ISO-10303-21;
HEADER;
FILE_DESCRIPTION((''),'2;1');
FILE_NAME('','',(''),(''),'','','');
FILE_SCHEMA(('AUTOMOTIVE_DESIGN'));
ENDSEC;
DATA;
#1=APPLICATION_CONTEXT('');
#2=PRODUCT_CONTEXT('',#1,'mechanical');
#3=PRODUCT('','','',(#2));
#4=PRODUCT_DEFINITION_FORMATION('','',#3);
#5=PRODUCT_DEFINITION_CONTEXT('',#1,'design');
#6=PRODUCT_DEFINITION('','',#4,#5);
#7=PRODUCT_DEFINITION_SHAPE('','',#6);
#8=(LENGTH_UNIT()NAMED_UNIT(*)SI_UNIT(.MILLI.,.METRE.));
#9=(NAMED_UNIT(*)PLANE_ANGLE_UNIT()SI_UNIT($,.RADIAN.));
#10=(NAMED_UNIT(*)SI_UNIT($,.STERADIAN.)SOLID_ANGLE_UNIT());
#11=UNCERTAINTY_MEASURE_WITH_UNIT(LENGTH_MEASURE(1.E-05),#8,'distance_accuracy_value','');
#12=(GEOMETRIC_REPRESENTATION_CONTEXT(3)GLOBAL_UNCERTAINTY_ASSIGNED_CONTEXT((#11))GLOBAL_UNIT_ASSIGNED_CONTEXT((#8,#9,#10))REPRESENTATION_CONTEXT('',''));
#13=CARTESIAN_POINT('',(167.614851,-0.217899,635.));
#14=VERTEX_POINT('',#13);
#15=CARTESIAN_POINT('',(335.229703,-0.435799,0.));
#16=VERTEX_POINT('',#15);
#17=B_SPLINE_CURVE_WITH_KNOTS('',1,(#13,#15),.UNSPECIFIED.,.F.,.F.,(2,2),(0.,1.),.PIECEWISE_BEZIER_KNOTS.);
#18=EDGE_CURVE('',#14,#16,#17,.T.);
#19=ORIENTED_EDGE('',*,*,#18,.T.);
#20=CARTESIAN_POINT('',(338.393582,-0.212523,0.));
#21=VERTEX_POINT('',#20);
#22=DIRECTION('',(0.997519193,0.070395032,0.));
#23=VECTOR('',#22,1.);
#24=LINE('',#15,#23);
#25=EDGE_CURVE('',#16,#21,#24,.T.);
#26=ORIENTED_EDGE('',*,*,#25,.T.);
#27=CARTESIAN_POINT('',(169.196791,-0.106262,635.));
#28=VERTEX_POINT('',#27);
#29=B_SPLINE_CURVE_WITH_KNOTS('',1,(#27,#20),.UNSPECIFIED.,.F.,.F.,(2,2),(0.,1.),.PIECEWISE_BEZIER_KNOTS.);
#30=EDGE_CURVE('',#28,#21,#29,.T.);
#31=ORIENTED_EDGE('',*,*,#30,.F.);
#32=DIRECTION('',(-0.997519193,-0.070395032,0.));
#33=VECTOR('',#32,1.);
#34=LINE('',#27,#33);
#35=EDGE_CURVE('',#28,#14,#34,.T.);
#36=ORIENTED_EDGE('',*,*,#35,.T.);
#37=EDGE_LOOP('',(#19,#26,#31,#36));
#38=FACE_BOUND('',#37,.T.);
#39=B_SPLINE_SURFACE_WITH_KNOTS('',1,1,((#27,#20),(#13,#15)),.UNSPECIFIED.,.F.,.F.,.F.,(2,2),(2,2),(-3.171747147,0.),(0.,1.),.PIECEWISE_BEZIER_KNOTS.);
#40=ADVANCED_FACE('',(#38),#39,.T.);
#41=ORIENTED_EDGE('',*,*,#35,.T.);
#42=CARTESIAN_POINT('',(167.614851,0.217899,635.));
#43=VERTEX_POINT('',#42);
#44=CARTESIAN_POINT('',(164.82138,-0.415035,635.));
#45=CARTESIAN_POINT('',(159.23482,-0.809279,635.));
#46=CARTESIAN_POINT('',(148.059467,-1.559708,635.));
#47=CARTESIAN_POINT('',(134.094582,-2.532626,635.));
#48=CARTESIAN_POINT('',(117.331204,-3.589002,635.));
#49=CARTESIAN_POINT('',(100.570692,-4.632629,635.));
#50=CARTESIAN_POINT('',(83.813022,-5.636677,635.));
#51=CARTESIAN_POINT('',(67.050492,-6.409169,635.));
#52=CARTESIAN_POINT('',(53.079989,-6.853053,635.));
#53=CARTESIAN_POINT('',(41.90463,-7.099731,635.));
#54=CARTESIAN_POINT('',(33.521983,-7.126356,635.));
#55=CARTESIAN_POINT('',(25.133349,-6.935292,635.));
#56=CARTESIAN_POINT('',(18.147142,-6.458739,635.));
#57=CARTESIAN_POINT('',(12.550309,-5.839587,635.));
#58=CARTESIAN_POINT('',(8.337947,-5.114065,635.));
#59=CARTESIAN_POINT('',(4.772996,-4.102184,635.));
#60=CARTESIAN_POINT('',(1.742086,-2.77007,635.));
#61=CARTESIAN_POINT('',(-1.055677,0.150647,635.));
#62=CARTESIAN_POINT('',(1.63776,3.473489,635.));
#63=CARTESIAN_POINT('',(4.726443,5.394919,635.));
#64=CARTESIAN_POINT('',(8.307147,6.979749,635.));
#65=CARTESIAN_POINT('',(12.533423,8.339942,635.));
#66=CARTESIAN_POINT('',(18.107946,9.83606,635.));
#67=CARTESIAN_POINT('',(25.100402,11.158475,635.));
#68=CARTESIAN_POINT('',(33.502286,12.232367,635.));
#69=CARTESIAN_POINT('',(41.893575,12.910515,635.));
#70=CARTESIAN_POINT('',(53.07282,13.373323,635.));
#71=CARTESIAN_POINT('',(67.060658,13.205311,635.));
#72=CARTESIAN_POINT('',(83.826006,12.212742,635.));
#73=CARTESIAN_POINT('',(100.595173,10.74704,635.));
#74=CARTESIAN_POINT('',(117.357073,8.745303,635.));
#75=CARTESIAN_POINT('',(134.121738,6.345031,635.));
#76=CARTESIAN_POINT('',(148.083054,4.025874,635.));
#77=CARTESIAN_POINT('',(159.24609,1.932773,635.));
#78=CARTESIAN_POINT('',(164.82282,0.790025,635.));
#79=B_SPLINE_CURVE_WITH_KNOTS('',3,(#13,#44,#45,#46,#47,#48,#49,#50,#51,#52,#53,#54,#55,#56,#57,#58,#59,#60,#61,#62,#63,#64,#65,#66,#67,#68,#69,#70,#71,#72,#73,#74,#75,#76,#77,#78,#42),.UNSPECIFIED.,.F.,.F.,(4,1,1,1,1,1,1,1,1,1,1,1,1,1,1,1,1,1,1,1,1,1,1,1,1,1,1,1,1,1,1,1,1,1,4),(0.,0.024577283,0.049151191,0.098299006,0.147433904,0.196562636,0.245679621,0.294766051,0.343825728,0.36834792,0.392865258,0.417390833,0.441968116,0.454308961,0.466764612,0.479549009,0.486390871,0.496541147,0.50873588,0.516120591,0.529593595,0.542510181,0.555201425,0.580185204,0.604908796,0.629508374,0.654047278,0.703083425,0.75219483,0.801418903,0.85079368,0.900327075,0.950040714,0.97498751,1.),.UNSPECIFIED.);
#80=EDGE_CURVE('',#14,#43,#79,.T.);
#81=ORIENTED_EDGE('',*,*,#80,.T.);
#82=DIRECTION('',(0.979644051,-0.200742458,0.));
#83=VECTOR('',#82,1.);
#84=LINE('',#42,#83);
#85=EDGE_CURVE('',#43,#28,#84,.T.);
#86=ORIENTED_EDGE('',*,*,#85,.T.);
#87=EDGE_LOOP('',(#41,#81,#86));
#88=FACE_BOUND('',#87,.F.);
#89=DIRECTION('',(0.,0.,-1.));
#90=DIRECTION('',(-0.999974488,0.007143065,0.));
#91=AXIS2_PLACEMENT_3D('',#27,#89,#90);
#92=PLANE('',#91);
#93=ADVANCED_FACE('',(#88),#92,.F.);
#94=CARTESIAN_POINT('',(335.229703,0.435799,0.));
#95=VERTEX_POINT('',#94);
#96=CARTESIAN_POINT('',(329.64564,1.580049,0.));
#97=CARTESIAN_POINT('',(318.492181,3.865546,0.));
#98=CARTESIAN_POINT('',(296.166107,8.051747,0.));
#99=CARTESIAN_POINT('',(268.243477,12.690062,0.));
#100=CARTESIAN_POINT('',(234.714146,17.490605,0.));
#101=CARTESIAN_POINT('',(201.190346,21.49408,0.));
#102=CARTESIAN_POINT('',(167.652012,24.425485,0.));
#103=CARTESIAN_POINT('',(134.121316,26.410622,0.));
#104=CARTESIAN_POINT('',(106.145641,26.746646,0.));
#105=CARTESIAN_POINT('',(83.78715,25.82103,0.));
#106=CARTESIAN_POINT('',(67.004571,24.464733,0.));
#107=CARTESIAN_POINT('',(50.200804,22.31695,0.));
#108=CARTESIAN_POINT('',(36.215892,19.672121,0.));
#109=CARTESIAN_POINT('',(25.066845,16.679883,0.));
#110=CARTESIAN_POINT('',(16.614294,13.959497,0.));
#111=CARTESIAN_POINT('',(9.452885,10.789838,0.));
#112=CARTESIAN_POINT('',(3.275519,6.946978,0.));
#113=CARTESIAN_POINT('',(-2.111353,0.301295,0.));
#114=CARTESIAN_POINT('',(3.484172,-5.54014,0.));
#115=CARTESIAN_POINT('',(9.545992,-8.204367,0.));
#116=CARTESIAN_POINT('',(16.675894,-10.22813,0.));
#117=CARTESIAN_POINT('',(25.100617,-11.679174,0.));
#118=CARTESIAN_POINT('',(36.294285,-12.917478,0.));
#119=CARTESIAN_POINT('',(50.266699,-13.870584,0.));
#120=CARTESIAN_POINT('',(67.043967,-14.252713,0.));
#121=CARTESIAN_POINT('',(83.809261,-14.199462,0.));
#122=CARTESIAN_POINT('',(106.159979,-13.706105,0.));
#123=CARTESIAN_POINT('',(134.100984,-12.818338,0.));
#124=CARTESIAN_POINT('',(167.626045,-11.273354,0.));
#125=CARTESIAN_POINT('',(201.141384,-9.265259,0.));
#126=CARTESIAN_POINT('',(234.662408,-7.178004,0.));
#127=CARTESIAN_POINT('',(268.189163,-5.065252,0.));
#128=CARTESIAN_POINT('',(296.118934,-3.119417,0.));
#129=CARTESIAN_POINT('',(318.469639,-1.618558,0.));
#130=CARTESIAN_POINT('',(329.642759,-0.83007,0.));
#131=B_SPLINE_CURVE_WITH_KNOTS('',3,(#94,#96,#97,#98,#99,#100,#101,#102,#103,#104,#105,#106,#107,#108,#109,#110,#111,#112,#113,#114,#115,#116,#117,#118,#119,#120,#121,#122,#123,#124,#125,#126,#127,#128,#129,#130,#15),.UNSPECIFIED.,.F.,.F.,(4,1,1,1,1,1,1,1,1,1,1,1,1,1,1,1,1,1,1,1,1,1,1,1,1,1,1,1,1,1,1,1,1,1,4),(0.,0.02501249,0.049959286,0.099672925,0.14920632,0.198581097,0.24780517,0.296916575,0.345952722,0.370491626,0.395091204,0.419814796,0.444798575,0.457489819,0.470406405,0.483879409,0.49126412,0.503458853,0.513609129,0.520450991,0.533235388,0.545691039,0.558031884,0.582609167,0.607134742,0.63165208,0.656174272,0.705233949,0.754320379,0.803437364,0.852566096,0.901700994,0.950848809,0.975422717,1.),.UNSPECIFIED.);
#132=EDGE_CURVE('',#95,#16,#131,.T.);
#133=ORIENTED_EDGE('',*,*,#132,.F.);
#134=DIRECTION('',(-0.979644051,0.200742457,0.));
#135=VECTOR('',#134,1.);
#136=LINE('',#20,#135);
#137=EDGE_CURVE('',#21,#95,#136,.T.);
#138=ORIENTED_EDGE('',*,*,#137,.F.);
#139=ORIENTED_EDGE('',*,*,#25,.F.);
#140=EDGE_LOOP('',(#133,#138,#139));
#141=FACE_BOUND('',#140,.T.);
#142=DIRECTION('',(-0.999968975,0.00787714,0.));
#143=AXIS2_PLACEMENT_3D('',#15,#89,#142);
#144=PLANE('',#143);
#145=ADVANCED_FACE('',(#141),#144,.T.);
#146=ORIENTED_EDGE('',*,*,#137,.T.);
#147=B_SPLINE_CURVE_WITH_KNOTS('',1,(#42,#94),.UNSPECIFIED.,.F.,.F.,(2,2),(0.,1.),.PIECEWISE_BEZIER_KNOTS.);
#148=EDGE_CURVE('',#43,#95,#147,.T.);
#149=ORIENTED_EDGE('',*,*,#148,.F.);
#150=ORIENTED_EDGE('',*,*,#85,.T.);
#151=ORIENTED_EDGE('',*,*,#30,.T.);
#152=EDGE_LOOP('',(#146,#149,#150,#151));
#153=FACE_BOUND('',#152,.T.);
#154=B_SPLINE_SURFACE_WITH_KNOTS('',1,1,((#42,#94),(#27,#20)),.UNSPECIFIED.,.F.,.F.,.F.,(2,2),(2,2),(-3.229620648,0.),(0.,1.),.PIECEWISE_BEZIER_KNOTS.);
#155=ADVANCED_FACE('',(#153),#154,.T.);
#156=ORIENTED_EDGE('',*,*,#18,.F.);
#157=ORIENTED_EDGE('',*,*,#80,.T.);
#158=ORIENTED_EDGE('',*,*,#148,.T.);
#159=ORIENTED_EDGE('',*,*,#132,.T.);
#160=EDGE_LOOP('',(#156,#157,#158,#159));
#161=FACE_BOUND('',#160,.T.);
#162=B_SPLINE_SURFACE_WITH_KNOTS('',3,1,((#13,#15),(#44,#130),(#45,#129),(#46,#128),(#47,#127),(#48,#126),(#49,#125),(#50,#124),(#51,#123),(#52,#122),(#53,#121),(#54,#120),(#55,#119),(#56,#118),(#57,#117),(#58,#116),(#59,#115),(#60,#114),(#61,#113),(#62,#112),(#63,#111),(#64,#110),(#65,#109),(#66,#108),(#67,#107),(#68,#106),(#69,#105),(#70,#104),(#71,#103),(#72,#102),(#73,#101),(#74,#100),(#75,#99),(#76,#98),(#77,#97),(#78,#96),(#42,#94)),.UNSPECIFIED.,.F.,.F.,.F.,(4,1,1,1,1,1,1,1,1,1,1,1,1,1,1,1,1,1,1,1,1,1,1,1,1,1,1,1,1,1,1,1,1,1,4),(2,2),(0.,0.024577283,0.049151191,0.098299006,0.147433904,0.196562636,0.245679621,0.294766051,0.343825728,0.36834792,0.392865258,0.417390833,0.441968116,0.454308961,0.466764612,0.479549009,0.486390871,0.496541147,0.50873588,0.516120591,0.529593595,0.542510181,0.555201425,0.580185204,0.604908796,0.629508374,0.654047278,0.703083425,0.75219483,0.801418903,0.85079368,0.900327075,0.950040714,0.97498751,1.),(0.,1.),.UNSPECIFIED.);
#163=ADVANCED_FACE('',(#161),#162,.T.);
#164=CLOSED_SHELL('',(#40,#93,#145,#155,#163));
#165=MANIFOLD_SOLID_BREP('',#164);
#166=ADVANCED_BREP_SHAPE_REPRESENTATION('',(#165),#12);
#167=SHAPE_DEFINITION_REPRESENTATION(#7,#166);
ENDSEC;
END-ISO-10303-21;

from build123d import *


with BuildPart() as part:
    # Sketch2 → Loft1 section 0
    with BuildSketch(Plane(origin=(0, 0, 635), x_dir=(-1, 0, 0), z_dir=(0, 0, -1))):
        with BuildLine():
            Line((-169.196790812, -0.106261686), (-167.614851485, -0.217899307))
            add(Edge.make_bspline(
                [(-167.614851485, -0.217899307), (-164.821379664, -0.415034901), (-159.234819668, -0.809279016), (-148.059466882, -1.559708278), (-134.094581706, -2.532626019), (-117.331203967, -3.589002101), (-100.570691986, -4.632629279), (-83.813022261, -5.636676957), (-67.050491916, -6.409168954), (-53.079989304, -6.853052562), (-41.904630449, -7.099731), (-33.521983393, -7.126356445), (-25.133349366, -6.935292197), (-18.147142261, -6.458738918), (-12.550308653, -5.839586915), (-8.337946809, -5.114065158), (-4.772995916, -4.102183675), (-1.742086063, -2.770070192), (1.055676712, 0.150647398), (-1.637759678, 3.473488773), (-4.726442675, 5.394919115), (-8.30714679, 6.979748518), (-12.533422707, 8.339941743), (-18.107945981, 9.836060456), (-25.100402137, 11.158474985), (-33.502285638, 12.232366659), (-41.893575231, 12.910514783), (-53.072820441, 13.373323238), (-67.060658026, 13.205311028), (-83.826006046, 12.212742421), (-100.595172978, 10.747040159), (-117.357072976, 8.745302518), (-134.121738448, 6.345031133), (-148.083053609, 4.0258737), (-159.246090253, 1.932772881), (-164.822820058, 0.790024712), (-167.614851485, 0.217899307)],
                knots=[0, 0, 0, 0, 0.024577283, 0.049151191, 0.098299006, 0.147433904, 0.196562636, 0.245679621, 0.294766051, 0.343825728, 0.36834792, 0.392865258, 0.417390833, 0.441968116, 0.454308961, 0.466764612, 0.479549009, 0.486390871, 0.496541147, 0.50873588, 0.516120591, 0.529593595, 0.542510181, 0.555201425, 0.580185204, 0.604908796, 0.629508374, 0.654047278, 0.703083425, 0.75219483, 0.801418903, 0.85079368, 0.900327075, 0.950040714, 0.97498751, 1, 1, 1, 1], degree=3))
            Line((-167.614851485, 0.217899307), (-169.196790812, -0.106261686))
        make_face()
    # Sketch1 → Loft1 section 1
    with BuildSketch(Plane.XY):
        with BuildLine():
            Line((335.22970297, -0.435798614), (338.393581623, -0.212523371))
            Line((338.393581623, -0.212523371), (335.22970297, 0.435798614))
            add(Edge.make_bspline(
                [(335.22970297, 0.435798614), (329.645640115, 1.580049425), (318.492180506, 3.865545762), (296.166107218, 8.051747399), (268.243476895, 12.690062266), (234.714145951, 17.490605035), (201.190345957, 21.494080318), (167.652012091, 24.425484843), (134.121316052, 26.410622057), (106.145640882, 26.746646475), (83.787150462, 25.821029567), (67.004571277, 24.464733318), (50.200804275, 22.316949969), (36.215891962, 19.672120912), (25.066845415, 16.679883486), (16.61429358, 13.959497036), (9.452885351, 10.78983823), (3.275519356, 6.946977547), (-2.111353424, 0.301294795), (3.484172125, -5.540140385), (9.545991831, -8.20436735), (16.675893617, -10.228130317), (25.100617306, -11.679173831), (36.294284523, -12.917477836), (50.266698732, -13.870584395), (67.043966786, -14.25271289), (83.809260898, -14.199462), (106.159978609, -13.706105123), (134.100983831, -12.818337908), (167.626044522, -11.273353914), (201.141383972, -9.265258558), (234.662407934, -7.178004203), (268.189163412, -5.065252038), (296.118933763, -3.119416556), (318.469639335, -1.618558032), (329.642759328, -0.830069803), (335.22970297, -0.435798614)],
                knots=[0, 0, 0, 0, 0.02501249, 0.049959286, 0.099672925, 0.14920632, 0.198581097, 0.24780517, 0.296916575, 0.345952722, 0.370491626, 0.395091204, 0.419814796, 0.444798575, 0.457489819, 0.470406405, 0.483879409, 0.49126412, 0.503458853, 0.513609129, 0.520450991, 0.533235388, 0.545691039, 0.558031884, 0.582609167, 0.607134742, 0.63165208, 0.656174272, 0.705233949, 0.754320379, 0.803437364, 0.852566096, 0.901700994, 0.950848809, 0.975422717, 1, 1, 1, 1], degree=3))
        make_face()
    loft()


solid = part.part
